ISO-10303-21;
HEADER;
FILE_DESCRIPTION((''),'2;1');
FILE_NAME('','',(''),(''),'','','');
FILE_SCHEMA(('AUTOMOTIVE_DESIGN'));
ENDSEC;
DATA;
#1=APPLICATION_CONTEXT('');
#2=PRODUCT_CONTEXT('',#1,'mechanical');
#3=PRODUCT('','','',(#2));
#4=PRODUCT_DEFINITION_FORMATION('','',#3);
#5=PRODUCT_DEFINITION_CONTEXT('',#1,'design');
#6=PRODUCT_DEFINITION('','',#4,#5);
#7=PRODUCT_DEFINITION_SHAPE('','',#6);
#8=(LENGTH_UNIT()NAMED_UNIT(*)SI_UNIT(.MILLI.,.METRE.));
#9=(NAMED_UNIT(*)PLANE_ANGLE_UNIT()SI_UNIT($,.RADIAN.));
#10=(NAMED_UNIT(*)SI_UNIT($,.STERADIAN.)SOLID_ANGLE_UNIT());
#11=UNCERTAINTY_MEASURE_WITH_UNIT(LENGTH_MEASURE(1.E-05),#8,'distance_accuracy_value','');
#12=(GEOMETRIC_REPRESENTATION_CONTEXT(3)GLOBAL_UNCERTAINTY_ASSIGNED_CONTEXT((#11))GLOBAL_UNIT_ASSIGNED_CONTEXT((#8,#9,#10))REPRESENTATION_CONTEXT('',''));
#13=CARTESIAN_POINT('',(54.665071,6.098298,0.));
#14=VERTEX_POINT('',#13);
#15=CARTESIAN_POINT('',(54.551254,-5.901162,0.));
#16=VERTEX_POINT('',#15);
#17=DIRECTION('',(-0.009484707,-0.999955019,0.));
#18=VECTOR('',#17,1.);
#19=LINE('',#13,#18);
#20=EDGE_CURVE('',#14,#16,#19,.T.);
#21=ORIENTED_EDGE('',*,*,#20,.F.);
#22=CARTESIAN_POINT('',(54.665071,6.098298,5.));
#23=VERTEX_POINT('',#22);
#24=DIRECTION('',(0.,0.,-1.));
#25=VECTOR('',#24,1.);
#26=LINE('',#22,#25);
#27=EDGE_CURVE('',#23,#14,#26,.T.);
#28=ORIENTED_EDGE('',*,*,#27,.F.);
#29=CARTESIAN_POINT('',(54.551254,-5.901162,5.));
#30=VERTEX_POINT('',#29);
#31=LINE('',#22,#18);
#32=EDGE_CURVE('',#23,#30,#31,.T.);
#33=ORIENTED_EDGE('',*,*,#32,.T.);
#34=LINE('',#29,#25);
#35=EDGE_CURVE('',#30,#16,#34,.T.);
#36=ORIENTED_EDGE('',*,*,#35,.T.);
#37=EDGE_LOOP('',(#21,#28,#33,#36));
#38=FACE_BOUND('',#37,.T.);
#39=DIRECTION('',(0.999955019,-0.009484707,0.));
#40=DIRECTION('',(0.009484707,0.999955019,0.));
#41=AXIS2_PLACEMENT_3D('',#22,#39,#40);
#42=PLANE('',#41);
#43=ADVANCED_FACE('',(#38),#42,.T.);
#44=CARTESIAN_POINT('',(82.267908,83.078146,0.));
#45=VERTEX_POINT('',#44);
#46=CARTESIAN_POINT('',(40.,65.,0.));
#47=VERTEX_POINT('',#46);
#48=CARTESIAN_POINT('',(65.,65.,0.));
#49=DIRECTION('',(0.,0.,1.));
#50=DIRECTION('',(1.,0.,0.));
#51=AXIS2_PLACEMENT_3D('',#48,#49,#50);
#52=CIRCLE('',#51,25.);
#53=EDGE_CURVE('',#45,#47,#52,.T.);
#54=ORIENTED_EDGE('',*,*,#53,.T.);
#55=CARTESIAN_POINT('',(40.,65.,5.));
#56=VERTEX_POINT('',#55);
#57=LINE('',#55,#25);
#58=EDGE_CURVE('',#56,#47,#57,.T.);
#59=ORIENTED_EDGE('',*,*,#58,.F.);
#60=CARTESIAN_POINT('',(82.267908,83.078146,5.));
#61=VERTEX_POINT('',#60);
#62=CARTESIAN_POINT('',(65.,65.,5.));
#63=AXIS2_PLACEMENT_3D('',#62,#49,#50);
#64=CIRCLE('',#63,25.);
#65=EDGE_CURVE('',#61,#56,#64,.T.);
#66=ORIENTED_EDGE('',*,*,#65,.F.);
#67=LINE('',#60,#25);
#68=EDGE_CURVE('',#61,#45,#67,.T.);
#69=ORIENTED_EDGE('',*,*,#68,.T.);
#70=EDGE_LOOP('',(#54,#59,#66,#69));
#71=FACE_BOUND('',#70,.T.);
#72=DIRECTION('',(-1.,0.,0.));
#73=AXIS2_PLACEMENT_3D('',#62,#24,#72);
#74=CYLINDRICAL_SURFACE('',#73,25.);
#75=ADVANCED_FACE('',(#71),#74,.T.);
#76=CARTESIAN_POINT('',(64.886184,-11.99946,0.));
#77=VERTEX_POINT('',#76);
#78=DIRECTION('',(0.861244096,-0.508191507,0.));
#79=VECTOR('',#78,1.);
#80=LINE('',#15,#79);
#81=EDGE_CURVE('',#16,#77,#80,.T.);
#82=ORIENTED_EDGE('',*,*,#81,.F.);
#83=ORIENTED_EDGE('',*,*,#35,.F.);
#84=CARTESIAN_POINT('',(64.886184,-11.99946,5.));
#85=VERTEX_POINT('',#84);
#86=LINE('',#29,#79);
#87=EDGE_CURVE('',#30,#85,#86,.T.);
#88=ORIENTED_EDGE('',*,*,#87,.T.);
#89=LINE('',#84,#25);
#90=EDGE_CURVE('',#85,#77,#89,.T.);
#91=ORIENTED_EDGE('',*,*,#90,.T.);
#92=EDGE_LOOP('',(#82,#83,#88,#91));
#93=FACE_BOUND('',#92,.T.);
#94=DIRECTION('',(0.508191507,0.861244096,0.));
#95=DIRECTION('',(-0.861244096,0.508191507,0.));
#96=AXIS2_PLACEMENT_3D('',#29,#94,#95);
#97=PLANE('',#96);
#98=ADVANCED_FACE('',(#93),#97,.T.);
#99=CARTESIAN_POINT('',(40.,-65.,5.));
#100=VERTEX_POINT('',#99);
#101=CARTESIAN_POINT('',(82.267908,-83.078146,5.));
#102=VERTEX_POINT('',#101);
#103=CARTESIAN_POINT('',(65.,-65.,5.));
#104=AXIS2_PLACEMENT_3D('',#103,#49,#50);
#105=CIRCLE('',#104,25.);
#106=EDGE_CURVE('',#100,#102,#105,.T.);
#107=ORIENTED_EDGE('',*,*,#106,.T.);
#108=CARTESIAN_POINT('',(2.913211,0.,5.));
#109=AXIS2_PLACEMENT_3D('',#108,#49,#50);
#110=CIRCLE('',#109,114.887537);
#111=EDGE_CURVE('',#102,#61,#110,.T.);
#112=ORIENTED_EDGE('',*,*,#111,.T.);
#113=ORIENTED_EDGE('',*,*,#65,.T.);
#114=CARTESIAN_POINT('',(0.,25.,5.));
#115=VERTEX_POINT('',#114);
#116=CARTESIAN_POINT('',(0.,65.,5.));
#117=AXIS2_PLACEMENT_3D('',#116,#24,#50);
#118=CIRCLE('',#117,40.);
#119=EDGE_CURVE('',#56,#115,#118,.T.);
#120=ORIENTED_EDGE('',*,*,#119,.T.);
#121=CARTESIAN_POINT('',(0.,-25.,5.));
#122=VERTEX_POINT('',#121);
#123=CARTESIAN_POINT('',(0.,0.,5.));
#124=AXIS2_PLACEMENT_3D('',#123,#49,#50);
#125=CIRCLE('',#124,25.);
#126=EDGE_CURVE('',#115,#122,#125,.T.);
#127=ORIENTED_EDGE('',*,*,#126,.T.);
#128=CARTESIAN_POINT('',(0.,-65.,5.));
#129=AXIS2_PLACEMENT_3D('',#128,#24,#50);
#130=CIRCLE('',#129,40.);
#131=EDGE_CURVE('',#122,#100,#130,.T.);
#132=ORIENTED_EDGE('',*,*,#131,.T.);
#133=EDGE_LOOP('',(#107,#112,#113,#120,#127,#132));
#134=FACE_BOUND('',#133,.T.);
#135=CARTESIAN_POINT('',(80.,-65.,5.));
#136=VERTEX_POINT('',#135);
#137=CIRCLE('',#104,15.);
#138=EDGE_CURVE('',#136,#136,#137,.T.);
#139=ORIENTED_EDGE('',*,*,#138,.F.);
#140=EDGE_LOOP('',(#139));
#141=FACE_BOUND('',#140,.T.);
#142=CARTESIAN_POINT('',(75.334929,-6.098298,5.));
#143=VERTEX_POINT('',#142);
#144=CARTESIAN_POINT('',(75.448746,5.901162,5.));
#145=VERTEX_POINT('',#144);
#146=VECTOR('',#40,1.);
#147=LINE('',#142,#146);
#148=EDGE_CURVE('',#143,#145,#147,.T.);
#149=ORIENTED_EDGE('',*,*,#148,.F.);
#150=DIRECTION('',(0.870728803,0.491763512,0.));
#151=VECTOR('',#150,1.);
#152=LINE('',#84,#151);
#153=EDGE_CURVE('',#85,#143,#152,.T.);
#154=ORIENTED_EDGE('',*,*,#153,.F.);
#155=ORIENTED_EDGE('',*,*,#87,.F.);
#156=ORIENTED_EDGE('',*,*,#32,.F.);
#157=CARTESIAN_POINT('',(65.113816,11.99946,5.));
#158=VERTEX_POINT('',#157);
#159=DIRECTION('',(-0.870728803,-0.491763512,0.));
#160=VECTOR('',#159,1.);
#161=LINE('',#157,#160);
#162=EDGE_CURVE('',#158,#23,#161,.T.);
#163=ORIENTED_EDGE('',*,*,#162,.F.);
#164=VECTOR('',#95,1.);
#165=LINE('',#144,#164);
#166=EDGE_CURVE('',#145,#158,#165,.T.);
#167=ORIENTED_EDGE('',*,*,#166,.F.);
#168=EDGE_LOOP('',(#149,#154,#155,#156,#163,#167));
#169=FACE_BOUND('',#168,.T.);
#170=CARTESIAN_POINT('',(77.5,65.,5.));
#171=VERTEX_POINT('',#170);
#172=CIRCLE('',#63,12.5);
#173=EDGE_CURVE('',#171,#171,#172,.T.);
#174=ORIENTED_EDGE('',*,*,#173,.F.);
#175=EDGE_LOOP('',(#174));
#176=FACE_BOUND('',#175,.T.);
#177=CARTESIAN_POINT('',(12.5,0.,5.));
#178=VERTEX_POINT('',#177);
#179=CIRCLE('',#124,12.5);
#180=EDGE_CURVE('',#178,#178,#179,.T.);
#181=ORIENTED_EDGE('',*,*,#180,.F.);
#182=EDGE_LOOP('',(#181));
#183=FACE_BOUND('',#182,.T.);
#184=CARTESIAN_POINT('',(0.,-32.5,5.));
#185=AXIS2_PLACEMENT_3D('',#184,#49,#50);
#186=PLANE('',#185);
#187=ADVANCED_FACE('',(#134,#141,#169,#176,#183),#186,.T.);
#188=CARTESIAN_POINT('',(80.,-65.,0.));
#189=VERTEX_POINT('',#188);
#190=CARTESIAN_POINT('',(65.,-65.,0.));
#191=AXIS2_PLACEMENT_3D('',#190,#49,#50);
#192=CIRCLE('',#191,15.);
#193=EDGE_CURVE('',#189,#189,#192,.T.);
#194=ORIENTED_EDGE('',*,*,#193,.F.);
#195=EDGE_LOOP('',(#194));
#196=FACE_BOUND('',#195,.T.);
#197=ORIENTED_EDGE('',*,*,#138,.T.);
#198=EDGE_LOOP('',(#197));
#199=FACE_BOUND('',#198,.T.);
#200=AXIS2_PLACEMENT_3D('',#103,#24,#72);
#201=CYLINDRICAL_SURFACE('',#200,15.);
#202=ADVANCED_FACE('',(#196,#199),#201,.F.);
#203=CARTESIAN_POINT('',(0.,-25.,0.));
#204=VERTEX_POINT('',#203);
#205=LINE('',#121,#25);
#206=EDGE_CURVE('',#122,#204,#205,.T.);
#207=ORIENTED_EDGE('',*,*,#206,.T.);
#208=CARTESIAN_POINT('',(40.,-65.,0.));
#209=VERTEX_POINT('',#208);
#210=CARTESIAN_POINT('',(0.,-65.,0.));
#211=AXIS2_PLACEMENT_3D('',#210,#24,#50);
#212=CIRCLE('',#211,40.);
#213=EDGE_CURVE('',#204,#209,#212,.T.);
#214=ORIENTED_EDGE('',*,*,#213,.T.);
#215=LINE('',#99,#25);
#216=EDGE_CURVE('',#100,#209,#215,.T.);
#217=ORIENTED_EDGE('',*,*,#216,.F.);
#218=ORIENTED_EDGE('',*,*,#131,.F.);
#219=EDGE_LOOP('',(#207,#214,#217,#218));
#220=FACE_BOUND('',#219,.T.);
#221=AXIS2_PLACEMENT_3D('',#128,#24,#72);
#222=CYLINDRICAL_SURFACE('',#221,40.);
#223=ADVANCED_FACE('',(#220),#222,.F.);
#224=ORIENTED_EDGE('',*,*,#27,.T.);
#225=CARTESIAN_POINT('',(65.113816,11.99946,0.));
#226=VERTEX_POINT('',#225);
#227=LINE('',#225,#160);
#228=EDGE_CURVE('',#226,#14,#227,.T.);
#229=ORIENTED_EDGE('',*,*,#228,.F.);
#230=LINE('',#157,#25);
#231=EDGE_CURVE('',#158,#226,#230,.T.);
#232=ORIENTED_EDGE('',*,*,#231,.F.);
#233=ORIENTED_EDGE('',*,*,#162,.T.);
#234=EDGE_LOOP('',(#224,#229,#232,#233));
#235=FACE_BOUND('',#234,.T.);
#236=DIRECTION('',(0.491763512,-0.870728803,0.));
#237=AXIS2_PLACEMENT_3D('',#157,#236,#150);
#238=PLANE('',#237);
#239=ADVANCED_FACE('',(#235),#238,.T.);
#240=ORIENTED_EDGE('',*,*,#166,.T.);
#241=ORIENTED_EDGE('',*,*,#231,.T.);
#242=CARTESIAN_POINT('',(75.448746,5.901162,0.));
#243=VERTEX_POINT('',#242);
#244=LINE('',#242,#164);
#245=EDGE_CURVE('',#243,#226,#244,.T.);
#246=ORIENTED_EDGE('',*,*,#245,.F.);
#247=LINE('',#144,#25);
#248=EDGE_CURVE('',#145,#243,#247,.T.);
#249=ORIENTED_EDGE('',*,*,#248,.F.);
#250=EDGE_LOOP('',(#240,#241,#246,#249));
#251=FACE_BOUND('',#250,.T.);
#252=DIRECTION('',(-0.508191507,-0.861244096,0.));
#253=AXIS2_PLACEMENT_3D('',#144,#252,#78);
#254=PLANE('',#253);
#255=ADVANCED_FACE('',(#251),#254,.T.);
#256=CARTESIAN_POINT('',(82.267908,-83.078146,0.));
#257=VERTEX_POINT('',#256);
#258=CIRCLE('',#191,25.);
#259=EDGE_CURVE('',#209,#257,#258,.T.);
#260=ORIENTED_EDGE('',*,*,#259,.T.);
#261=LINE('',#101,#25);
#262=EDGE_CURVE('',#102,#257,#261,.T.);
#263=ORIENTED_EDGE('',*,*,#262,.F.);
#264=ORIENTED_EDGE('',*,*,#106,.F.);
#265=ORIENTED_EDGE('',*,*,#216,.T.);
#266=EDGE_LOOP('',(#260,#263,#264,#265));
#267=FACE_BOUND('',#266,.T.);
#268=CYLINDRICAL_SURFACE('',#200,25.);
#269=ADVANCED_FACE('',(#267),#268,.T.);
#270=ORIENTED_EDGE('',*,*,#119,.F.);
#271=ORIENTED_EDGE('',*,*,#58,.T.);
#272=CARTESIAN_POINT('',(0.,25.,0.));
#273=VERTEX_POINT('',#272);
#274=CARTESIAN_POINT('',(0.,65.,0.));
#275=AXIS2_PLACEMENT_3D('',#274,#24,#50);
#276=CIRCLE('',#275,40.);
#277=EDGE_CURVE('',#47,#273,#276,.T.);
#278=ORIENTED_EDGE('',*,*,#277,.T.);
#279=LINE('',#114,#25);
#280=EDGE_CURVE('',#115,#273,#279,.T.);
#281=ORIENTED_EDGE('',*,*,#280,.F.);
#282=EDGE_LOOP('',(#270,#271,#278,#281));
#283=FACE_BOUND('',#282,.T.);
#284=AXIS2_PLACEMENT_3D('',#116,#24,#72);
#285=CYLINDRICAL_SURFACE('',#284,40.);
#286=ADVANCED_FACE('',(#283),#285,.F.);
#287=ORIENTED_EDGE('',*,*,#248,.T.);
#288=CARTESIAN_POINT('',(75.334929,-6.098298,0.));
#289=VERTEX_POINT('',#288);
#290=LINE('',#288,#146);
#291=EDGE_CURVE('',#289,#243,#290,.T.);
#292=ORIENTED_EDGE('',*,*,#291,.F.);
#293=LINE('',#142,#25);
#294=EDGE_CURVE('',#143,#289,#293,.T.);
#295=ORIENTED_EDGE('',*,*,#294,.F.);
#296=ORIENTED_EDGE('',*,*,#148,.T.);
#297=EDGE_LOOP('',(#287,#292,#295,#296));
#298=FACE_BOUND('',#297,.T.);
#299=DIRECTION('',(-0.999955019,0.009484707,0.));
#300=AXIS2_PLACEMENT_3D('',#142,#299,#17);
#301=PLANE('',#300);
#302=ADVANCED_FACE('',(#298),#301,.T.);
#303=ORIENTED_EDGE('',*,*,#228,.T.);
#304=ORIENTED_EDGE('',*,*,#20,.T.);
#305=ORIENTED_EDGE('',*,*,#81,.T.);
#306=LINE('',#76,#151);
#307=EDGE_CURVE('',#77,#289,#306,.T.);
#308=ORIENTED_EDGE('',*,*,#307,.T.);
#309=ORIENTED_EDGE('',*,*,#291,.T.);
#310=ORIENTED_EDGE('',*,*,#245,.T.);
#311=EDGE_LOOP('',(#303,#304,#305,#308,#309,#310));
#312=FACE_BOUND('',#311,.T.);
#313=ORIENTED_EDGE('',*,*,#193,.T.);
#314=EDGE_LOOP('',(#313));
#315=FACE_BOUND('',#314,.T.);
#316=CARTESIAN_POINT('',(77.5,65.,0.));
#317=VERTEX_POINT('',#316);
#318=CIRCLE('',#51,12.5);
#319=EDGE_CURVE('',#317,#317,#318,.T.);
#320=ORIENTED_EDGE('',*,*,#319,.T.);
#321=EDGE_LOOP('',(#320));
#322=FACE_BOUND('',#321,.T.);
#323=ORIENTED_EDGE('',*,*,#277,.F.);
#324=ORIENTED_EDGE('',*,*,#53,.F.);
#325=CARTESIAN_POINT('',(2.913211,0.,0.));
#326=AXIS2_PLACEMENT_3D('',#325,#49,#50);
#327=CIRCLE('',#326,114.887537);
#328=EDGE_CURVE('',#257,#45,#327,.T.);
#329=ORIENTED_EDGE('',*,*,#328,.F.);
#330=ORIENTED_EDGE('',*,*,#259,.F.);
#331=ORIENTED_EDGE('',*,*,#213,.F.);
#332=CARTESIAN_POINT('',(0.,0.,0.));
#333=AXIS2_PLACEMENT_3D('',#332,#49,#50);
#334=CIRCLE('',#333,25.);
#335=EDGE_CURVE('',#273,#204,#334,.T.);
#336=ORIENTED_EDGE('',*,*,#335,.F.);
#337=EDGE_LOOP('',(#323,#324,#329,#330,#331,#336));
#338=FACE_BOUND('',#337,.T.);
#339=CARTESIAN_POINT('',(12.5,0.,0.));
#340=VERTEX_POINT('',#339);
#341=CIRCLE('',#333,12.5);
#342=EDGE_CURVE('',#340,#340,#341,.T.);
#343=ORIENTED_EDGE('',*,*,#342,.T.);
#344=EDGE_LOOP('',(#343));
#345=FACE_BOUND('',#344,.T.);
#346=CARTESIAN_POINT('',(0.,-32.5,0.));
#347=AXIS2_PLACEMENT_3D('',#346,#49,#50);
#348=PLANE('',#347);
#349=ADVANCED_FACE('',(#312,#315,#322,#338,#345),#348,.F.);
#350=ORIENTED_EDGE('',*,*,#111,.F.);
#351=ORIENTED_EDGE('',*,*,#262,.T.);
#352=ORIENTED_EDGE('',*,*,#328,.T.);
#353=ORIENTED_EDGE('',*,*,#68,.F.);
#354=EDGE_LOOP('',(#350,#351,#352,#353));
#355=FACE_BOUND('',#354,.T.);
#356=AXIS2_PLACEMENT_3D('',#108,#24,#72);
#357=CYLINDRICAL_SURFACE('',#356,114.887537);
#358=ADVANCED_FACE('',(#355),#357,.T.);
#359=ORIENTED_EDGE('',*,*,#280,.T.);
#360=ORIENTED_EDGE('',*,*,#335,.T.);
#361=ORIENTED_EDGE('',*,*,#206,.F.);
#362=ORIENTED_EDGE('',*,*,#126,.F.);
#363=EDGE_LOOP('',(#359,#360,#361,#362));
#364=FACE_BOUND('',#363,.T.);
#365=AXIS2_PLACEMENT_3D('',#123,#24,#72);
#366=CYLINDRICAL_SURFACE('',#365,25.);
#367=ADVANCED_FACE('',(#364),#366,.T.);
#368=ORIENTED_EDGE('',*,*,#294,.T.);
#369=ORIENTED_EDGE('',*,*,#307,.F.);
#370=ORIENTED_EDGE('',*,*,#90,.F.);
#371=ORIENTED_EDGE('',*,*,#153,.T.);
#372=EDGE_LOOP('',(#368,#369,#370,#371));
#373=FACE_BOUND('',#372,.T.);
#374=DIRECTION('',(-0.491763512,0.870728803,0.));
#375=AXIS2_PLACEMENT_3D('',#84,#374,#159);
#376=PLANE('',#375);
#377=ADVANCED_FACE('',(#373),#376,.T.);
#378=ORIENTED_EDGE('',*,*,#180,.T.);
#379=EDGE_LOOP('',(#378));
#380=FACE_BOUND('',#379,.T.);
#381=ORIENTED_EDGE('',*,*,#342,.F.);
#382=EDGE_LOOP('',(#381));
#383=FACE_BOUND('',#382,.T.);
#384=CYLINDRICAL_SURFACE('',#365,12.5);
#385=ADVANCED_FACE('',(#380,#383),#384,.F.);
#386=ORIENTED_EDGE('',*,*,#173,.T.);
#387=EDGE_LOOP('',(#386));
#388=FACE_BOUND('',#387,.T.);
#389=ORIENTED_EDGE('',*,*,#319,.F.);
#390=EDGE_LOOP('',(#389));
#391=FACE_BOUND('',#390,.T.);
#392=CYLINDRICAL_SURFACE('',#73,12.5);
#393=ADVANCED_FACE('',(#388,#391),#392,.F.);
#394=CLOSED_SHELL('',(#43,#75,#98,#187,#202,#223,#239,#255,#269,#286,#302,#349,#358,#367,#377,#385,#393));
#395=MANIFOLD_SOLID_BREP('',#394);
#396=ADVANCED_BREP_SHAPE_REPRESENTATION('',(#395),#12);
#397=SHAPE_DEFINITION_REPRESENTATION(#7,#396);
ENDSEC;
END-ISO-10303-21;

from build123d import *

# Parameters (mm, degrees)
SKETCH2_R           = 12.5
SKETCH2_R_2         = 15
BOSS_EXTRUDE1_DEPTH = 5


with BuildPart() as part:
    # Sketch2 → Boss-Extrude1 (new body)
    with BuildSketch(Plane.XY):
        with BuildLine():
            ThreePointArc((0, 25), (-25, 0), (0, -25))
            ThreePointArc((0, -25), (28.284271247, -36.715728753), (40, -65))
            ThreePointArc((40, -65), (55.168868326, -87.985840207), (82.267908001, -83.078145737))
            ThreePointArc((82.267908001, -83.078145737), (117.800748333, 0), (82.267908001, 83.078145737))
            ThreePointArc((82.267908001, 83.078145737), (55.168868326, 87.985840207), (40, 65))
            ThreePointArc((40, 65), (28.284271247, 36.715728753), (0, 25))
        make_face()
        Circle(SKETCH2_R, mode=Mode.SUBTRACT)
        with Locations((65, 65)):
            Circle(SKETCH2_R, mode=Mode.SUBTRACT)
        with Locations((65, -65)):
            Circle(SKETCH2_R_2, mode=Mode.SUBTRACT)
        Polygon((75.334929147, -6.098298085), (75.448745635, 5.901162145), (65.113816488, 11.99946023), (54.665070853, 6.098298085), (54.551254365, -5.901162145), (64.886183512, -11.99946023), align=None, mode=Mode.SUBTRACT)
    extrude(amount=BOSS_EXTRUDE1_DEPTH)


solid = part.part
